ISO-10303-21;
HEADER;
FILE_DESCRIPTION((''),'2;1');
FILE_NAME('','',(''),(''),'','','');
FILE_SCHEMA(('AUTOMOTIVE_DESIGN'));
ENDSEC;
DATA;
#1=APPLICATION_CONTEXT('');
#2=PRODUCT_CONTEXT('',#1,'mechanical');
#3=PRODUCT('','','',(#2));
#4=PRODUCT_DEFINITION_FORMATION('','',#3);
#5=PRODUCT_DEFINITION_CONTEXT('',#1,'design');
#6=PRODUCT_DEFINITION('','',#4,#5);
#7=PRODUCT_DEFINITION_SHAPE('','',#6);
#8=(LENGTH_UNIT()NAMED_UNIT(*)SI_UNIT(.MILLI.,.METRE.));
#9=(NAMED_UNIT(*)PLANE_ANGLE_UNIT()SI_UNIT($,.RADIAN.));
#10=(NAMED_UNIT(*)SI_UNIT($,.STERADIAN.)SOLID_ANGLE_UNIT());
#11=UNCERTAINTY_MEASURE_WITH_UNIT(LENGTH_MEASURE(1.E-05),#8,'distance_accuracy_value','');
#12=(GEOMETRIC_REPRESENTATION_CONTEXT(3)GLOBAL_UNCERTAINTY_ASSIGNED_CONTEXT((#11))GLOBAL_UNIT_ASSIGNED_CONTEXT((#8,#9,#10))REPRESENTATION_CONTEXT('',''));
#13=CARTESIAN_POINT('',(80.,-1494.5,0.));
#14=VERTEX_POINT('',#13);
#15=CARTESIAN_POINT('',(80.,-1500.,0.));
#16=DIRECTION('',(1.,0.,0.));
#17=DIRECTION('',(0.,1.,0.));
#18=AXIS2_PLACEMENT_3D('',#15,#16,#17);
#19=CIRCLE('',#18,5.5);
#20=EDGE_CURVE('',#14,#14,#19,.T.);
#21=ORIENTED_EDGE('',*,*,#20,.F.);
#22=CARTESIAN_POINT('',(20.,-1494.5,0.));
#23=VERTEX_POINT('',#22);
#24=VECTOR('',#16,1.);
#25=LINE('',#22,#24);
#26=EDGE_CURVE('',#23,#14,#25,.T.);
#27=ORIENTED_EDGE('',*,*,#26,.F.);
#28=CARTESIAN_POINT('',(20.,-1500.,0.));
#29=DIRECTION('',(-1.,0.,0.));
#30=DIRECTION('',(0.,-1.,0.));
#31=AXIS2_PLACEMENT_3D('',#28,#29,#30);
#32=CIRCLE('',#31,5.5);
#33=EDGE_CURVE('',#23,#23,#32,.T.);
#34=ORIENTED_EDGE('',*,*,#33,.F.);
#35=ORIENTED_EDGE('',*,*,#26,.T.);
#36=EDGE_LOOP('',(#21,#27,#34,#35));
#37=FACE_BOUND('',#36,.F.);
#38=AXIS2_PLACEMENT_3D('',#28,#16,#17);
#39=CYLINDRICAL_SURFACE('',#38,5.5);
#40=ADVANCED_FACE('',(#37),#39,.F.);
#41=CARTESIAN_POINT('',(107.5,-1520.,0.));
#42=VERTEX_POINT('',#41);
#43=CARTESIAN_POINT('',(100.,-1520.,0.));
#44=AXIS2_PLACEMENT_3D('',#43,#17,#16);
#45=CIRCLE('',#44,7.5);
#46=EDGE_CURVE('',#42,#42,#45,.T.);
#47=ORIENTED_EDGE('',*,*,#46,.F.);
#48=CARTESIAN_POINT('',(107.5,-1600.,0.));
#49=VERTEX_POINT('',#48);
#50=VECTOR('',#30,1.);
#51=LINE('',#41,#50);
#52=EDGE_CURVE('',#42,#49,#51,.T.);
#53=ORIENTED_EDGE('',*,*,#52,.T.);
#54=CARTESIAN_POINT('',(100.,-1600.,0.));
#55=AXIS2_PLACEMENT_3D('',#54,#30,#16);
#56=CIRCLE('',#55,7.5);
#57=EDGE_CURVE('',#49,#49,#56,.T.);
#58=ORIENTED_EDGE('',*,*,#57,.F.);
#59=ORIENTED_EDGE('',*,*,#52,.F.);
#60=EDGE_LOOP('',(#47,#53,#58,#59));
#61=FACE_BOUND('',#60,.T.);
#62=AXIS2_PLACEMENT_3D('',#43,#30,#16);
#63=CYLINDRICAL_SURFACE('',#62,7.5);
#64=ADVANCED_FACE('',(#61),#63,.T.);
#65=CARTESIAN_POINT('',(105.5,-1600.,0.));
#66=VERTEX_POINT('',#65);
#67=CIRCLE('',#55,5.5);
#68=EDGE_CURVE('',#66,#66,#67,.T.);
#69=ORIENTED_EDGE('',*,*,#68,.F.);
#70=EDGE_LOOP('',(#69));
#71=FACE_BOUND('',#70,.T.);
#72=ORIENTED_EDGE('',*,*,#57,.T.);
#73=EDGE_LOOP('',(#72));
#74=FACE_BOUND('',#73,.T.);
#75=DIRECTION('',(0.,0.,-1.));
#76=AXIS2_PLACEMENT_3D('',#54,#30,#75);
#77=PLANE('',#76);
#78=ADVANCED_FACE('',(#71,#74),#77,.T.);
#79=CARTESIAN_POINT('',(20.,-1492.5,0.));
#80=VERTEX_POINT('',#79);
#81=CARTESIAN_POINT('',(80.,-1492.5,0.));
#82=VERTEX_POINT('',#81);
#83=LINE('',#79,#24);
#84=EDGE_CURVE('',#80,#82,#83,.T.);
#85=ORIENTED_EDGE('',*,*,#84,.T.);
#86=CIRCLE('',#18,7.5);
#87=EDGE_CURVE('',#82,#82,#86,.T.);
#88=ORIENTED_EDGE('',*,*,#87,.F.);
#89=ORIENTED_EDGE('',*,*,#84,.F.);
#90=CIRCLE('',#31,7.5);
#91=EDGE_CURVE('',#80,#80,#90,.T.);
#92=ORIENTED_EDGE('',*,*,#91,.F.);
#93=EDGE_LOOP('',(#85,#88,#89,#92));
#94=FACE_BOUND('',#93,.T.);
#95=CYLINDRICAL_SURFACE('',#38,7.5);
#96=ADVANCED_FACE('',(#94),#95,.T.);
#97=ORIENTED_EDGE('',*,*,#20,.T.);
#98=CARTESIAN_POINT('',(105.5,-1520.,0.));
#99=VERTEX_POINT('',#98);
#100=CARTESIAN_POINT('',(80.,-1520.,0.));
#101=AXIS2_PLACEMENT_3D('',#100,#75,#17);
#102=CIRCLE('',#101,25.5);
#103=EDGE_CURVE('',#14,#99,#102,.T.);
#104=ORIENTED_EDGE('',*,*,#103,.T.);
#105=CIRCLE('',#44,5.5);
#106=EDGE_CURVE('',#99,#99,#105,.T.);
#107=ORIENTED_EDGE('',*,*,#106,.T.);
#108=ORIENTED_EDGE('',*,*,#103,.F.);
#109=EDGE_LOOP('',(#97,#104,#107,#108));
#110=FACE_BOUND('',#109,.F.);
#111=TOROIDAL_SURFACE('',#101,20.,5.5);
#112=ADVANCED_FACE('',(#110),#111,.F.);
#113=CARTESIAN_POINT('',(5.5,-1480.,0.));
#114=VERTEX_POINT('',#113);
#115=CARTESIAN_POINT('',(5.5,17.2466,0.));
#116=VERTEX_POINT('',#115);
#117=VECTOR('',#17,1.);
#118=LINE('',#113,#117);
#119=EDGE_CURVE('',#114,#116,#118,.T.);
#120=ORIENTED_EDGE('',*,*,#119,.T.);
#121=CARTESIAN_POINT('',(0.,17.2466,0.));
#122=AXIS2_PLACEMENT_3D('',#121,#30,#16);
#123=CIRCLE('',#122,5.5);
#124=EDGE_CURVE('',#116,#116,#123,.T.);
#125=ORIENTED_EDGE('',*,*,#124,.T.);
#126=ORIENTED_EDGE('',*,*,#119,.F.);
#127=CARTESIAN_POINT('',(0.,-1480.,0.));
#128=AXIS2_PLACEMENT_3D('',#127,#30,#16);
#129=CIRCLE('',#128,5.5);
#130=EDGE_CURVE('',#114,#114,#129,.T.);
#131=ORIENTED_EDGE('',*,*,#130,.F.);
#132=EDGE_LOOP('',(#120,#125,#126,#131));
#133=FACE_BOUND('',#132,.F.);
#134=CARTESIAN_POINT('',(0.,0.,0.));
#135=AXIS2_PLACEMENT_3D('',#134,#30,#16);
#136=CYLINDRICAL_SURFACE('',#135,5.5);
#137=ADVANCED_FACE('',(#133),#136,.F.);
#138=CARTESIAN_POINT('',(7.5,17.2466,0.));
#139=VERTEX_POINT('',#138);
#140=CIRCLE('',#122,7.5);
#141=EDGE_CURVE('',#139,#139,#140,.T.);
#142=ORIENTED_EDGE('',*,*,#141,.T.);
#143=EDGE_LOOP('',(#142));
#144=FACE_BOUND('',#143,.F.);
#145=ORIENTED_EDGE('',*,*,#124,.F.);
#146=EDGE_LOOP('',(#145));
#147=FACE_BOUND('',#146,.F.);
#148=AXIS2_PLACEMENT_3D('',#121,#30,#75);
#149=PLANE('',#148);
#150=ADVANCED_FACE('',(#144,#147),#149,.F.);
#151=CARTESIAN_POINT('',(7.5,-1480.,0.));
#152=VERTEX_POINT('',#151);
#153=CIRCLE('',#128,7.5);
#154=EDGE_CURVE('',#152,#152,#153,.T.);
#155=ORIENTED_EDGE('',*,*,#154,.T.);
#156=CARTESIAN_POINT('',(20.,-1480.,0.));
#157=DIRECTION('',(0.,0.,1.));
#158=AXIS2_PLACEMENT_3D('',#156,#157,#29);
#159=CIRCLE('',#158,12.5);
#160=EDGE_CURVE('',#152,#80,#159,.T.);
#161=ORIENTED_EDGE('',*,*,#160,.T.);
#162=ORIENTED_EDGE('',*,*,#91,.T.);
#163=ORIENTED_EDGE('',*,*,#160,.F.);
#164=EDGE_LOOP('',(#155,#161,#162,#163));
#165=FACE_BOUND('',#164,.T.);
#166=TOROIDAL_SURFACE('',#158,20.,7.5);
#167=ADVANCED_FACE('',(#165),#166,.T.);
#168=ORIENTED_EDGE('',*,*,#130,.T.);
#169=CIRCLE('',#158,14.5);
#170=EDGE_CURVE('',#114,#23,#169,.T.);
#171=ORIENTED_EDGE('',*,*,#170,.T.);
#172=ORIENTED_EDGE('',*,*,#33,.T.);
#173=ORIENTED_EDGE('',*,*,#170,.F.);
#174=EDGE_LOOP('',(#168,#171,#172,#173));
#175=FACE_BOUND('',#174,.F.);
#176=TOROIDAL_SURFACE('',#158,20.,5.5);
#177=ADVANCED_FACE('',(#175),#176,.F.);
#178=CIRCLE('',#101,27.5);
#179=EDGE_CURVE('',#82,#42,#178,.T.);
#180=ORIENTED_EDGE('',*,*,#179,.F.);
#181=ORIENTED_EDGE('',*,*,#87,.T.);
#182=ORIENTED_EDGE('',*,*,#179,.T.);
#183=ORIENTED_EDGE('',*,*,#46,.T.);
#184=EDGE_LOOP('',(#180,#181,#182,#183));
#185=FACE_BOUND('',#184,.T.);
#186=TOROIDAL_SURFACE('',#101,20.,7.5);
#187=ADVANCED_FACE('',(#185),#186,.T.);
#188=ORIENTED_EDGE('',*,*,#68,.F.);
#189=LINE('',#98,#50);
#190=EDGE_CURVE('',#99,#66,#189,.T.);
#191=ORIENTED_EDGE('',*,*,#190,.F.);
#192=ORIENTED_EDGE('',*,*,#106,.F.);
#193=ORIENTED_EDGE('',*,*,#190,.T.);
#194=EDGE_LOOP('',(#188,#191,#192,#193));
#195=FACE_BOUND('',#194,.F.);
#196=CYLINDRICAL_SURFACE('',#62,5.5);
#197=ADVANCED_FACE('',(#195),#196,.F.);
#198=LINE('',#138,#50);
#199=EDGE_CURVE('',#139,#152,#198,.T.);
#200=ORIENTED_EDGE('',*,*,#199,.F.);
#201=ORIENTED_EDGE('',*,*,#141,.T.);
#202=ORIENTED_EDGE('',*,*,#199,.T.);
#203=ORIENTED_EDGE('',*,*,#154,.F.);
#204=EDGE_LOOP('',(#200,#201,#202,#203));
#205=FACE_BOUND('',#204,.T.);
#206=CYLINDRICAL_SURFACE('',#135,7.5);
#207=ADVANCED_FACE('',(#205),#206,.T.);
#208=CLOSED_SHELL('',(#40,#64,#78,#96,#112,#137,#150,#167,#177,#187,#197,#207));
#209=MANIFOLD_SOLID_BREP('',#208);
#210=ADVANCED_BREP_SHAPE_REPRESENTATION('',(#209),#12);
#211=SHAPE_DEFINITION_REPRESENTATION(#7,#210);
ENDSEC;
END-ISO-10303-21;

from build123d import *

# Parameters (mm, degrees)
F0_R     = 7.5
F0_R_2   = 5.5
F3_DEPTH = 17.2466


with BuildPart() as f2:
    # F2: sweep along a path in F1
    with BuildLine(Plane.XY) as f2_path:
        Line((0, 0), (0, -1480))
        ThreePointArc((0, -1480), (5.8578643763, -1494.1421356237), (20, -1500))
        Line((20, -1500), (80, -1500))
        ThreePointArc((80, -1500), (94.1421356237, -1505.8578643763), (100, -1520))
        Line((100, -1520), (100, -1600))
    # F0 (on Front) → F2 (sweep)
    with BuildSketch(Plane.XZ):
        Circle(F0_R)
        Circle(F0_R_2, mode=Mode.SUBTRACT)
    sweep(path=f2_path.line)

    # F3 (add): a face of the model
    f3_faces = [f2.faces().sort_by_distance(p)[0] for p in [
        (-7.2878679656, 0, 0),
    ]]
    extrude(f3_faces, amount=F3_DEPTH)


solid = f2.part
